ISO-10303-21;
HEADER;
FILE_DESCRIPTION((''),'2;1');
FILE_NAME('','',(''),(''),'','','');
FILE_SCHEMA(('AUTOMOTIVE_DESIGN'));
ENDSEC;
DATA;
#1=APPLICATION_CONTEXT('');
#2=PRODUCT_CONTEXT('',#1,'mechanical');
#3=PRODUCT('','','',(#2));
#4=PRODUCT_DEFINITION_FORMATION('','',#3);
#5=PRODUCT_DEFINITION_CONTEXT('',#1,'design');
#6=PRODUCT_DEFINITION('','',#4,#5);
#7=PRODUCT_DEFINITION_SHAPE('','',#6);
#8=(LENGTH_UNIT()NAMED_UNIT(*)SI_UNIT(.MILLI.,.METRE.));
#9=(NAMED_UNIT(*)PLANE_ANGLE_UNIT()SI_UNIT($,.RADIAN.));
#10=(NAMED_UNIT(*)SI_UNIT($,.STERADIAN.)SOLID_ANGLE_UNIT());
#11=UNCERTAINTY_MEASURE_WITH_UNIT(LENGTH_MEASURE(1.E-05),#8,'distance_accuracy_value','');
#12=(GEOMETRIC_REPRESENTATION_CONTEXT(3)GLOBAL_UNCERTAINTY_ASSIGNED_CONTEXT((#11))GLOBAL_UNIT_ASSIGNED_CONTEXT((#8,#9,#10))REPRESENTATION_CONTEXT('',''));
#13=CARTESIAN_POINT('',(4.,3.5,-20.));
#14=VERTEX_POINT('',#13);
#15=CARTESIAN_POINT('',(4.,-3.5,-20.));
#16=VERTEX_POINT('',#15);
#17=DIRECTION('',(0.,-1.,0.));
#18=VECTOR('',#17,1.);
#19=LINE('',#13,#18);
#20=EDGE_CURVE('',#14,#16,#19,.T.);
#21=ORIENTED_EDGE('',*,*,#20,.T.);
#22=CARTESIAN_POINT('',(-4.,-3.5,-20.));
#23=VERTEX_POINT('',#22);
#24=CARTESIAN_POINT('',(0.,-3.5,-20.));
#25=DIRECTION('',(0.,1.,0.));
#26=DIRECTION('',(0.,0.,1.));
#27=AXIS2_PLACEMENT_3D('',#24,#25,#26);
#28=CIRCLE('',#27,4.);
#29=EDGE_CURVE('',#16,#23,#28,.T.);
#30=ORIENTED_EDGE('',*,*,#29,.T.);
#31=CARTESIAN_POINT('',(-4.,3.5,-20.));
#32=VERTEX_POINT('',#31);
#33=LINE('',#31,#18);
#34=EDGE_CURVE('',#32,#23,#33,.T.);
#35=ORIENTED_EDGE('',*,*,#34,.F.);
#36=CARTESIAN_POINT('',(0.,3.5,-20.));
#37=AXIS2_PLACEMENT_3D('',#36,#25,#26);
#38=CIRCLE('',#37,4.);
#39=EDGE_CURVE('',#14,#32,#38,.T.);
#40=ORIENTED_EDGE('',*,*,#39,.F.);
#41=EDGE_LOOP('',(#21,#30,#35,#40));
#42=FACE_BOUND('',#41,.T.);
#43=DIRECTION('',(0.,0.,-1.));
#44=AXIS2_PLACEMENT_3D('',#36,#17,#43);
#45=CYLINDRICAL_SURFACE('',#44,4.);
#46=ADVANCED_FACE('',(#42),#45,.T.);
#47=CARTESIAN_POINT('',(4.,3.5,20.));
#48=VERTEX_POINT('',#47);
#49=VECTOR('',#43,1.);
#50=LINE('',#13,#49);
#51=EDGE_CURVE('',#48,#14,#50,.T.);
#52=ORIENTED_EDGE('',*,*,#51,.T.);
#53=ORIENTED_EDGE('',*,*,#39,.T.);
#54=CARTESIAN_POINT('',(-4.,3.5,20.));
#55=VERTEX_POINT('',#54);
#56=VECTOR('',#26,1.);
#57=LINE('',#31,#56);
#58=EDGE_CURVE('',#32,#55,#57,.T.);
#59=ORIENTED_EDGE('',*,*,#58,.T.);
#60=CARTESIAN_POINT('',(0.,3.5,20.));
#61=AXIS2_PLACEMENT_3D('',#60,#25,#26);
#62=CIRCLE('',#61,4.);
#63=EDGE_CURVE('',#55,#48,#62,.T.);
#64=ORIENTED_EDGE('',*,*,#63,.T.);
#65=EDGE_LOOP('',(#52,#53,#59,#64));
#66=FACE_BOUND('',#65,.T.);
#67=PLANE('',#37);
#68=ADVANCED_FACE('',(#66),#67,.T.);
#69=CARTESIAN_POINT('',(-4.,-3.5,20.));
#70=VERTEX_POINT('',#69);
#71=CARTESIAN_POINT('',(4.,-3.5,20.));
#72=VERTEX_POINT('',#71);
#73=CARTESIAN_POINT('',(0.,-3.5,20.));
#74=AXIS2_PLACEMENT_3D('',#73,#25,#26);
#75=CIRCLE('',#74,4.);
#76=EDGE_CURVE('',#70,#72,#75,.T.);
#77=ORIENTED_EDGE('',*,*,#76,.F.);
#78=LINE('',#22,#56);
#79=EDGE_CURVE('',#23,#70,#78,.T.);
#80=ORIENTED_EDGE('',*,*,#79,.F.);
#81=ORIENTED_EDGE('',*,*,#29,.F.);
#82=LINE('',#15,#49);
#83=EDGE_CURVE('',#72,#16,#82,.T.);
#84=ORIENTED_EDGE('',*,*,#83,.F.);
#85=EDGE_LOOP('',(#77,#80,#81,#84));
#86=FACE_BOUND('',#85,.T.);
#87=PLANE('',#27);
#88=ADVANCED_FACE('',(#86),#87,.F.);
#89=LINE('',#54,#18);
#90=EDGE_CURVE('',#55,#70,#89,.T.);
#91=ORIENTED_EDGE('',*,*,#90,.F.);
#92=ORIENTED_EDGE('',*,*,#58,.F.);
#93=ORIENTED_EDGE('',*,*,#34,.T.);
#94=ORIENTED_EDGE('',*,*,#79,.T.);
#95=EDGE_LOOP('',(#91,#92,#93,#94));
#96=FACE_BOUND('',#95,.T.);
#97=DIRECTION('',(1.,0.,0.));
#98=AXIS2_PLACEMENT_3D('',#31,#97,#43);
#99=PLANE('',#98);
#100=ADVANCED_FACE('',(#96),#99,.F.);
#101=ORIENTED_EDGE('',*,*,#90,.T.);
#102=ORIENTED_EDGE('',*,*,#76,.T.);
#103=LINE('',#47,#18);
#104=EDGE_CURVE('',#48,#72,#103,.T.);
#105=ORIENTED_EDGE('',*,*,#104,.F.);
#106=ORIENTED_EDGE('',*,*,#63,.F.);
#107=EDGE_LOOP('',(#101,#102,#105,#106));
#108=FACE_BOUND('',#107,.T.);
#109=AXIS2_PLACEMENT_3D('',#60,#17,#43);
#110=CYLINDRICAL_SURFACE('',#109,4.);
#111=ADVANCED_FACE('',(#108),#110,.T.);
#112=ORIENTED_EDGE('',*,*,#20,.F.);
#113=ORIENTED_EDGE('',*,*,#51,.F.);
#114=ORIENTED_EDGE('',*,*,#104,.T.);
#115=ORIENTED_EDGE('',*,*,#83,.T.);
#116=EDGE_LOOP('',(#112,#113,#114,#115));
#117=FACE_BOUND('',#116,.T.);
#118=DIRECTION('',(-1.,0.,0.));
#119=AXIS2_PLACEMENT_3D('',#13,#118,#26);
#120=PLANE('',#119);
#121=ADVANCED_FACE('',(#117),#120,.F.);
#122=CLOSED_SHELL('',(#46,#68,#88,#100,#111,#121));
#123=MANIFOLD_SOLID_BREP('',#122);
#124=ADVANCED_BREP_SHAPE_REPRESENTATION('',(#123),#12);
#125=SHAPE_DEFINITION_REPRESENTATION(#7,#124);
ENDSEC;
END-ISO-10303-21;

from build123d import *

# Parameters (mm, degrees)
BOSS_EXTRUDE1_DEPTH = 3.5


with BuildPart() as part:
    # Sketch1 → Boss-Extrude1 (new, symmetric)
    with BuildSketch(Plane(origin=(0, 0, 0), x_dir=(1, 0, 0), z_dir=(0, 1, 0))):
        with BuildLine():
            Line((4, 20), (4, -20))
            ThreePointArc((4, -20), (0, -24), (-4, -20))
            Line((-4, -20), (-4, 20))
            ThreePointArc((-4, 20), (0, 24), (4, 20))
        make_face()
    extrude(amount=BOSS_EXTRUDE1_DEPTH, both=True)


solid = part.part
